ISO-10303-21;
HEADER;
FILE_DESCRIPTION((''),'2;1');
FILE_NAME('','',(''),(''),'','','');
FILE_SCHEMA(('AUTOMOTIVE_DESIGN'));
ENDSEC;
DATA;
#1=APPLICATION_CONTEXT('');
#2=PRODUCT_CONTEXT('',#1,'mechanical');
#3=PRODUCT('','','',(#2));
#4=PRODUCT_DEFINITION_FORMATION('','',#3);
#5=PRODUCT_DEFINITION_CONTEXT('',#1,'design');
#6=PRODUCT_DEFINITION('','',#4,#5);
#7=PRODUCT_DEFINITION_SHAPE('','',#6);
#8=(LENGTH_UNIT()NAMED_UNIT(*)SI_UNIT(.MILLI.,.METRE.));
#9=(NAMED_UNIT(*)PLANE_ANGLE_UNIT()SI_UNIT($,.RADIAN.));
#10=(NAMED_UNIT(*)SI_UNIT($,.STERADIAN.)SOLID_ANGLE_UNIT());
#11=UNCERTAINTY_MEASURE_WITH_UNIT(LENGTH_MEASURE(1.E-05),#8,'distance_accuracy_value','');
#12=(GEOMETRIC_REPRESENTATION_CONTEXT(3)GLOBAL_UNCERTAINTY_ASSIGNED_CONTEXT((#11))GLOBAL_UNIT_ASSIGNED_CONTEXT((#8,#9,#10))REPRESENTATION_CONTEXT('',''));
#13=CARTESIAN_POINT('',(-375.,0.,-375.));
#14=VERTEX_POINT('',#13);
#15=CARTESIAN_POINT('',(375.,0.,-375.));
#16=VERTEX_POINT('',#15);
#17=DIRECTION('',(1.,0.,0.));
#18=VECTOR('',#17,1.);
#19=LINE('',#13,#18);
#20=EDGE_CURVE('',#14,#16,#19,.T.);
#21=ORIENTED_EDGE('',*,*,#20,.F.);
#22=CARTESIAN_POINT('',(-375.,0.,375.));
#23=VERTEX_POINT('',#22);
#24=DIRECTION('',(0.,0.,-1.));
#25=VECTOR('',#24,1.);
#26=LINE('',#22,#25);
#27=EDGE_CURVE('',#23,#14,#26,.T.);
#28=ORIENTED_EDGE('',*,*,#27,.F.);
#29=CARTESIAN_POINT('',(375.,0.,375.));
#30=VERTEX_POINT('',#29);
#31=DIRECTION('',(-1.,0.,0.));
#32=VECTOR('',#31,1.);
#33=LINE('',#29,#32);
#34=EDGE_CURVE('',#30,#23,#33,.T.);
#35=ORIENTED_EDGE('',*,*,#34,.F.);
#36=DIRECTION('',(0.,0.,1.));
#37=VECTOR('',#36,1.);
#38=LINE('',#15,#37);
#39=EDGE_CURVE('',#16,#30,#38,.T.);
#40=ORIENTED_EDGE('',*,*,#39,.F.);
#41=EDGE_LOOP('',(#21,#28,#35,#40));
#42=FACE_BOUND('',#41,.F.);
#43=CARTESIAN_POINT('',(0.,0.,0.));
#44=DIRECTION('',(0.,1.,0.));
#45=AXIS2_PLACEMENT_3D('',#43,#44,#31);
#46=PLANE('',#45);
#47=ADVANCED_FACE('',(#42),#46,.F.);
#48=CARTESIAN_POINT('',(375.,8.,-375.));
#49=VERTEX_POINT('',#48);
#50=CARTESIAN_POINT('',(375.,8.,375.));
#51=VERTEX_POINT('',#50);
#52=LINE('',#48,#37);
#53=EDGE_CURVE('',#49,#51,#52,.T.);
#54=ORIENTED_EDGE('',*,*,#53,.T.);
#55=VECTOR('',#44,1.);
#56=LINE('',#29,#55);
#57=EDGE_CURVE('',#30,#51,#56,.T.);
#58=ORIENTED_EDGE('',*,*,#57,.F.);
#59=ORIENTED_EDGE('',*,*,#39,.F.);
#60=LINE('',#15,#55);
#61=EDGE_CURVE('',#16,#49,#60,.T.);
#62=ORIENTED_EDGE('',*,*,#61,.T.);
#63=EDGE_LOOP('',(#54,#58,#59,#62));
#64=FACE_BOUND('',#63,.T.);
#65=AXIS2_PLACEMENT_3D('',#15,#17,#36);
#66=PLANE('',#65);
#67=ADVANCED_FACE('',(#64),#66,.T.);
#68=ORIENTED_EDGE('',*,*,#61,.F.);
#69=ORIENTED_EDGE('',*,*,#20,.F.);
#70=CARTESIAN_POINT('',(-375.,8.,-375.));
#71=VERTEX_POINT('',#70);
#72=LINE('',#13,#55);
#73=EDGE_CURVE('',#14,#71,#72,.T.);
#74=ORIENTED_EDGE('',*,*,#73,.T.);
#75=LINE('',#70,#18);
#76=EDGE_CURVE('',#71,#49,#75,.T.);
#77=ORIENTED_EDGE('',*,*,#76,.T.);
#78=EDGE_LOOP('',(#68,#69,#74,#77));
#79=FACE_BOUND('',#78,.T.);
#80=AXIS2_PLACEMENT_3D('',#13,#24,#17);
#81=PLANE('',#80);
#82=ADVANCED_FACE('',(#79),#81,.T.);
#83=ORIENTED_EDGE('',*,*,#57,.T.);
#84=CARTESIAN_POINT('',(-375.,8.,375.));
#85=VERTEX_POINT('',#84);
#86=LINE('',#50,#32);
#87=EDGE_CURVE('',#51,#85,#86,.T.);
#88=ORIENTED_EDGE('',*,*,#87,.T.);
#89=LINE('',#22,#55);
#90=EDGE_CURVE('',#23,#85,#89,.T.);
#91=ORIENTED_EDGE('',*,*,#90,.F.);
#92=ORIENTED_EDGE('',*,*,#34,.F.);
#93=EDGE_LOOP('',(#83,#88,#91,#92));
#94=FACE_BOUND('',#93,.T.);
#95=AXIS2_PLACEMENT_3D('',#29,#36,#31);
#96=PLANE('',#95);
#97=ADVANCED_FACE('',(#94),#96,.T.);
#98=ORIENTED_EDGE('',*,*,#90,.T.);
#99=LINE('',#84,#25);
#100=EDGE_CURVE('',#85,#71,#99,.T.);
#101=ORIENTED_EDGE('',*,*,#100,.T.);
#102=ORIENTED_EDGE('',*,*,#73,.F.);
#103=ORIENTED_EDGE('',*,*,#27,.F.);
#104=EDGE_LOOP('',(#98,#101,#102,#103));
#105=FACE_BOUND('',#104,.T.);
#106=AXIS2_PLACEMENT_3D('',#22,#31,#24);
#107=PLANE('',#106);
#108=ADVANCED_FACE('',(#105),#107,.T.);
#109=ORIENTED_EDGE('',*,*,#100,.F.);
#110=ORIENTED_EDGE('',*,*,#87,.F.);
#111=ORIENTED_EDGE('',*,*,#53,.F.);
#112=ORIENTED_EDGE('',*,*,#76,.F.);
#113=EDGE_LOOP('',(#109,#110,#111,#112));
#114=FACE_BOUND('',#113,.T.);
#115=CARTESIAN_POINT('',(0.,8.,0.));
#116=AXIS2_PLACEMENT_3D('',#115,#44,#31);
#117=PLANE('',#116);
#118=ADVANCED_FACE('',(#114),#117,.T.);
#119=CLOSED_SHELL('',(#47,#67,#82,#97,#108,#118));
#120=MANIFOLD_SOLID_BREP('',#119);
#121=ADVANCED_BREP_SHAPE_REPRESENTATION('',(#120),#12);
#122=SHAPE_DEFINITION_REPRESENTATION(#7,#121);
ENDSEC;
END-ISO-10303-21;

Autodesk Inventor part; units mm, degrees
ref_plane "YZ Plane" through (0, 0, 0) normal (1, 0, 0) x (0, 1, 0)
ref_plane "XZ Plane" through (0, 0, 0) normal (0, 1, 0) x (-1, 0, 0)
ref_plane "XY Plane" through (0, 0, 0) normal (0, 0, 1) x (1, 0, 0)
sketch "Эскиз1" plane through (0, 0, 0) normal (0, 1, 0) x (-1, 0, 0)
  line L0 (-375, 375) -> (375, 375)
  line L1 (375, 375) -> (375, -375)
  line L2 (375, -375) -> (-375, -375)
  line L3 (-375, -375) -> (-375, 375)
  line L4 (-375, 375) -> (375, -375) construction
  line L5 (375, 375) -> (-375, -375) construction
  point P0 (0, 0)
  dimension "d0" = 750
  dimension "d1" = 750
extrude "Выдавливание1" add sketch "Эскиз1" along normal blind 8
properties part number "КВ33.044.001" material "Фанера, финишная"
